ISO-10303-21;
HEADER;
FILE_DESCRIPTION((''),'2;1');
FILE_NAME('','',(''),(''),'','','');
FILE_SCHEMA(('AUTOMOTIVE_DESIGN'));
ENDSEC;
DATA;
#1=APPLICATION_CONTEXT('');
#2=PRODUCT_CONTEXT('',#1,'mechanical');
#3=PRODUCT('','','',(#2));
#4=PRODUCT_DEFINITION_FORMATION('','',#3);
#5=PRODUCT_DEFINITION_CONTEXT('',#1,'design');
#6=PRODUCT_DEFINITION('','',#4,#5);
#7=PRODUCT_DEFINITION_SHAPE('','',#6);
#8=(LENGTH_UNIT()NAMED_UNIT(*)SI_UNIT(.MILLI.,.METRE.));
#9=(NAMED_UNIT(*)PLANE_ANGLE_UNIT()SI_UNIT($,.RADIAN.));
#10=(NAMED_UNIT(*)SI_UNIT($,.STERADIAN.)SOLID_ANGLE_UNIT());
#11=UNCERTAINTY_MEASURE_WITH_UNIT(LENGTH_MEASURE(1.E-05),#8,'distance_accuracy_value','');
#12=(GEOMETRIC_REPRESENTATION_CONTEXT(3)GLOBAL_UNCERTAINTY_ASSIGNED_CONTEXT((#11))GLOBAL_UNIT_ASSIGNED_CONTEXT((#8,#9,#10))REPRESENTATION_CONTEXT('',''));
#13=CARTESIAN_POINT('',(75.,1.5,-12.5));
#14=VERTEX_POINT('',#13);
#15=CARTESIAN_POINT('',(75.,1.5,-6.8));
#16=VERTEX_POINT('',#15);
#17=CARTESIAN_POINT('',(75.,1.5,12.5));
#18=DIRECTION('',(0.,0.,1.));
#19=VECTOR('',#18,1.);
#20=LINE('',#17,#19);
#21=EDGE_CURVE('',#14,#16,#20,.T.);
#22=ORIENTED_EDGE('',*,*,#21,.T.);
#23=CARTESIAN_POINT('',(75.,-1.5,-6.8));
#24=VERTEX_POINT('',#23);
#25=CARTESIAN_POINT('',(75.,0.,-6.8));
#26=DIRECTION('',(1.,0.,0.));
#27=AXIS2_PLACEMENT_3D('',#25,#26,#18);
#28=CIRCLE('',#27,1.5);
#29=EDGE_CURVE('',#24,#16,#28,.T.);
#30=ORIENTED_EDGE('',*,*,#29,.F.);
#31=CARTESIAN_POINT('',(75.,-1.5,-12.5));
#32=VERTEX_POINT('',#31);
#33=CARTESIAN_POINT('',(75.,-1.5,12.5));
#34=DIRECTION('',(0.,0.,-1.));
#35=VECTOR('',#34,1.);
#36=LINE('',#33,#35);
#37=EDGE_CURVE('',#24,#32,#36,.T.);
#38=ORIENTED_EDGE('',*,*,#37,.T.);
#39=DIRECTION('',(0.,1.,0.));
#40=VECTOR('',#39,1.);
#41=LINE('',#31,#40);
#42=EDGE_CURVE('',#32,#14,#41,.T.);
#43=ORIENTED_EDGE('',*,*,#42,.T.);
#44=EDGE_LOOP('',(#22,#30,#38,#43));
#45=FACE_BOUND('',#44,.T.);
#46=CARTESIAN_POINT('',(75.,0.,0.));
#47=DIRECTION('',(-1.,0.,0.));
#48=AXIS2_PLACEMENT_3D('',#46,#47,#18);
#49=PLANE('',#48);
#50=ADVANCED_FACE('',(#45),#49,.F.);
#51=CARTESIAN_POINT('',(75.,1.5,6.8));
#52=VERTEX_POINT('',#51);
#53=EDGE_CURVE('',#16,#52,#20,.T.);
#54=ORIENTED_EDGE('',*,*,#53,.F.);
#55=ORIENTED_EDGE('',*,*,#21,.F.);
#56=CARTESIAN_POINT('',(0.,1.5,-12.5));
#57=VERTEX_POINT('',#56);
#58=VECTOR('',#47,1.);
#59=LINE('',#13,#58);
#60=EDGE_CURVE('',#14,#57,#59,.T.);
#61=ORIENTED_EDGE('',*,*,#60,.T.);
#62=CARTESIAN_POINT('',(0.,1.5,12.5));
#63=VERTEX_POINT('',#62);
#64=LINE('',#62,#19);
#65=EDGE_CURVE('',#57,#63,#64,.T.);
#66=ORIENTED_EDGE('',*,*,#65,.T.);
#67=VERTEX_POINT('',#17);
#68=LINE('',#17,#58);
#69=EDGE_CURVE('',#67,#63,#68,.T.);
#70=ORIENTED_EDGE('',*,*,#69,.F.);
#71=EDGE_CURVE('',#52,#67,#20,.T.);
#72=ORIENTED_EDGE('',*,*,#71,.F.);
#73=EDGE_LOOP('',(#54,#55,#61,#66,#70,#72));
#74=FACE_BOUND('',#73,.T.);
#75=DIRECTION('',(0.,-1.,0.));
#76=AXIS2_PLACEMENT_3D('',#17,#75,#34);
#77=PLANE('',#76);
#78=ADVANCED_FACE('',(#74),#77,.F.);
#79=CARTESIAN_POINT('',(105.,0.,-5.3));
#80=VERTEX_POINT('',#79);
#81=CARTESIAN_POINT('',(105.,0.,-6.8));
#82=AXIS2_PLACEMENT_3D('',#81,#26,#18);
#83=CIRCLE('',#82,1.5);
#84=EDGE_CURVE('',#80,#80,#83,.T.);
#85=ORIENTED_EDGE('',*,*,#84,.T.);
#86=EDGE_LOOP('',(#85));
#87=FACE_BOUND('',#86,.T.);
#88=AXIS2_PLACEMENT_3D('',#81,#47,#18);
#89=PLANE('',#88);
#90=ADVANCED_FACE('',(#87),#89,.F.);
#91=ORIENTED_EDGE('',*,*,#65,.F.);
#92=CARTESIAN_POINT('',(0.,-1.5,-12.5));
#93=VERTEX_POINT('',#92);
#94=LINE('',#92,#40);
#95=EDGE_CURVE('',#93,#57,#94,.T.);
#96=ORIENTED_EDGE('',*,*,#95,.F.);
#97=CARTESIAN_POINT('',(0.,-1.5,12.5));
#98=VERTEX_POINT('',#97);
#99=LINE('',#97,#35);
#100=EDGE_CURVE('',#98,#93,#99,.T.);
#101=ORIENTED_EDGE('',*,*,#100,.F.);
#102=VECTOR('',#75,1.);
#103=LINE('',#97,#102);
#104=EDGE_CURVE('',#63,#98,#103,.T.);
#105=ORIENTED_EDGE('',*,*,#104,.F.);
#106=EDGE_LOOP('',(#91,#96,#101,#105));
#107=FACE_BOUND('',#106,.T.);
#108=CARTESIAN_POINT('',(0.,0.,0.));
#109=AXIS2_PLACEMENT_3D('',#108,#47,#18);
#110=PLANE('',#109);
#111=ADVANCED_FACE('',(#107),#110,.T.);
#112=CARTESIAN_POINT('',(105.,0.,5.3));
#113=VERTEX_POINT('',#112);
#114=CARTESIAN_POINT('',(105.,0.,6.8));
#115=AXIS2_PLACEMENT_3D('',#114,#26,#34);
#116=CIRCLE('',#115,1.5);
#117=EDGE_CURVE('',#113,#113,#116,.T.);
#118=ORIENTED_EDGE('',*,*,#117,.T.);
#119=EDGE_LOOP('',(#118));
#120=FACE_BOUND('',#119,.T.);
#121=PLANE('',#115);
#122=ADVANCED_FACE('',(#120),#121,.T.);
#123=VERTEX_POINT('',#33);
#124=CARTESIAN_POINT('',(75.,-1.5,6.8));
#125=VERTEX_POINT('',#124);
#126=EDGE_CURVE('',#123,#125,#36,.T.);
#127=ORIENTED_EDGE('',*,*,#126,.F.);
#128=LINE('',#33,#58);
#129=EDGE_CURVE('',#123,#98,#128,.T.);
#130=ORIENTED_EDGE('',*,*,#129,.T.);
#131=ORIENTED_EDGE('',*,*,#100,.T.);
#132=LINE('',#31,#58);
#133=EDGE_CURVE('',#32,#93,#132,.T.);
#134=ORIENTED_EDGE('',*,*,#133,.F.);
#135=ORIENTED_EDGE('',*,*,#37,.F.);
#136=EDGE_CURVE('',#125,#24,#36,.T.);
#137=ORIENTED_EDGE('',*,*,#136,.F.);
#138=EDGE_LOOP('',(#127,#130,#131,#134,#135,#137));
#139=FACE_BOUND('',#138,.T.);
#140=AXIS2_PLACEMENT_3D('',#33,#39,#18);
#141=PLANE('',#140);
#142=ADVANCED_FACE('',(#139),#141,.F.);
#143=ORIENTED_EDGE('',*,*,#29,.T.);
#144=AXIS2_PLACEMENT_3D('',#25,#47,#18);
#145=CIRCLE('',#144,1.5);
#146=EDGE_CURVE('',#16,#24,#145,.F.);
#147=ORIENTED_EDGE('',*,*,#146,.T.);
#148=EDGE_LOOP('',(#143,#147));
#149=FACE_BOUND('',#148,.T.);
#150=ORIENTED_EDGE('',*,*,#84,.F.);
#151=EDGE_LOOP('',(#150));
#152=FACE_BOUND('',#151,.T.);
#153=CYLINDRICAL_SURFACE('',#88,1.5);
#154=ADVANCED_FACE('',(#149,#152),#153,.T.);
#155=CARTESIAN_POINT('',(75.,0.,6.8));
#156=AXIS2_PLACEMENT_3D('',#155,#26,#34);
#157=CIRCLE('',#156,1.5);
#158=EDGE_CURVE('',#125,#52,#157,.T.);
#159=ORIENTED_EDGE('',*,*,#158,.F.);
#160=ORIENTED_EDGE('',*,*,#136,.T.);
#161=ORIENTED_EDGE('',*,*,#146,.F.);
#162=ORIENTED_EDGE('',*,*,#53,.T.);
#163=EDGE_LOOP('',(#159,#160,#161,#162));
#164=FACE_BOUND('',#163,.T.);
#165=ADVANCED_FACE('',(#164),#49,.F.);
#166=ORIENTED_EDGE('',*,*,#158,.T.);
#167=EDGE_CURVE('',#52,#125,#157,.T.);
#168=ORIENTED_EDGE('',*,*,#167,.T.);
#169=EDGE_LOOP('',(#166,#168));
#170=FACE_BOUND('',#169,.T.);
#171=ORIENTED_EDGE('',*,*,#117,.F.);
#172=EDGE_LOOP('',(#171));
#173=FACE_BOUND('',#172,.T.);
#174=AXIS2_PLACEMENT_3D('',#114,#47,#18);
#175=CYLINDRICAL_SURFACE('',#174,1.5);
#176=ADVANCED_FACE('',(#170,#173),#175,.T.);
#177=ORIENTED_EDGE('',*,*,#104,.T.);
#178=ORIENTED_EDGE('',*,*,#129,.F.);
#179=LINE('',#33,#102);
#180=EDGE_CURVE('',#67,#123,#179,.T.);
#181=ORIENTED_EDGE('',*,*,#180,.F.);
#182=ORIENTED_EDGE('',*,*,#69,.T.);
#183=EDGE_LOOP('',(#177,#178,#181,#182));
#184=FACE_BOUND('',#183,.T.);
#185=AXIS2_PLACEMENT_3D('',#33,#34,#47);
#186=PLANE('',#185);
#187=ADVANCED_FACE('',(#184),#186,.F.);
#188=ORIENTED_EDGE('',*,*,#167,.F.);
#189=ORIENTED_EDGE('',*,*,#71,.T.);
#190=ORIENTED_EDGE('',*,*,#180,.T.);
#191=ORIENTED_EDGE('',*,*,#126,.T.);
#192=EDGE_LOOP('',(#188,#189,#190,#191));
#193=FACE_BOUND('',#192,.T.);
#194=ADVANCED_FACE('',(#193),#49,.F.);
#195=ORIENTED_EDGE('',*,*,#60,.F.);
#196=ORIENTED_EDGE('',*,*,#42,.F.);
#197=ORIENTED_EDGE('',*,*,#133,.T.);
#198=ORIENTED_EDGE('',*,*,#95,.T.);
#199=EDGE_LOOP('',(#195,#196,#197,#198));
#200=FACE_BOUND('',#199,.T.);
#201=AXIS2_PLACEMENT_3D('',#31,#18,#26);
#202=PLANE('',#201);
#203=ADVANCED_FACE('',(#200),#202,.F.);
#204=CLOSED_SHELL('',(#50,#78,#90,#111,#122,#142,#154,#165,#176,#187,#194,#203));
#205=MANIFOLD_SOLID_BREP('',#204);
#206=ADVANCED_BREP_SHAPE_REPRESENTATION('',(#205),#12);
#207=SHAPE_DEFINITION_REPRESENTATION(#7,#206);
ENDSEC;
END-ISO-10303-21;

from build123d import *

# Parameters (mm, degrees)
SKETCH1_W           = 25
SKETCH1_H           = 3
BOSS_EXTRUDE1_DEPTH = 75
SKETCH2_R           = 1.5
BOSS_EXTRUDE2_DEPTH = 30


with BuildPart() as part:
    # Sketch1 → Boss-Extrude1 (new body)
    with BuildSketch(Plane(origin=(0, 0, 0), x_dir=(0, 0, -1), z_dir=(1, 0, 0))):
        Rectangle(SKETCH1_W, SKETCH1_H)
    extrude(amount=BOSS_EXTRUDE1_DEPTH)

    # Sketch2 → Boss-Extrude2 (add)
    with BuildSketch(Plane(origin=(75, 0, 0), x_dir=(0, 0, -1), z_dir=(1, 0, 0))):
        with Locations((-6.8, 0)):
            Circle(SKETCH2_R)
        with Locations((6.8, 0)):
            Circle(SKETCH2_R)
    extrude(amount=BOSS_EXTRUDE2_DEPTH)


solid = part.part
